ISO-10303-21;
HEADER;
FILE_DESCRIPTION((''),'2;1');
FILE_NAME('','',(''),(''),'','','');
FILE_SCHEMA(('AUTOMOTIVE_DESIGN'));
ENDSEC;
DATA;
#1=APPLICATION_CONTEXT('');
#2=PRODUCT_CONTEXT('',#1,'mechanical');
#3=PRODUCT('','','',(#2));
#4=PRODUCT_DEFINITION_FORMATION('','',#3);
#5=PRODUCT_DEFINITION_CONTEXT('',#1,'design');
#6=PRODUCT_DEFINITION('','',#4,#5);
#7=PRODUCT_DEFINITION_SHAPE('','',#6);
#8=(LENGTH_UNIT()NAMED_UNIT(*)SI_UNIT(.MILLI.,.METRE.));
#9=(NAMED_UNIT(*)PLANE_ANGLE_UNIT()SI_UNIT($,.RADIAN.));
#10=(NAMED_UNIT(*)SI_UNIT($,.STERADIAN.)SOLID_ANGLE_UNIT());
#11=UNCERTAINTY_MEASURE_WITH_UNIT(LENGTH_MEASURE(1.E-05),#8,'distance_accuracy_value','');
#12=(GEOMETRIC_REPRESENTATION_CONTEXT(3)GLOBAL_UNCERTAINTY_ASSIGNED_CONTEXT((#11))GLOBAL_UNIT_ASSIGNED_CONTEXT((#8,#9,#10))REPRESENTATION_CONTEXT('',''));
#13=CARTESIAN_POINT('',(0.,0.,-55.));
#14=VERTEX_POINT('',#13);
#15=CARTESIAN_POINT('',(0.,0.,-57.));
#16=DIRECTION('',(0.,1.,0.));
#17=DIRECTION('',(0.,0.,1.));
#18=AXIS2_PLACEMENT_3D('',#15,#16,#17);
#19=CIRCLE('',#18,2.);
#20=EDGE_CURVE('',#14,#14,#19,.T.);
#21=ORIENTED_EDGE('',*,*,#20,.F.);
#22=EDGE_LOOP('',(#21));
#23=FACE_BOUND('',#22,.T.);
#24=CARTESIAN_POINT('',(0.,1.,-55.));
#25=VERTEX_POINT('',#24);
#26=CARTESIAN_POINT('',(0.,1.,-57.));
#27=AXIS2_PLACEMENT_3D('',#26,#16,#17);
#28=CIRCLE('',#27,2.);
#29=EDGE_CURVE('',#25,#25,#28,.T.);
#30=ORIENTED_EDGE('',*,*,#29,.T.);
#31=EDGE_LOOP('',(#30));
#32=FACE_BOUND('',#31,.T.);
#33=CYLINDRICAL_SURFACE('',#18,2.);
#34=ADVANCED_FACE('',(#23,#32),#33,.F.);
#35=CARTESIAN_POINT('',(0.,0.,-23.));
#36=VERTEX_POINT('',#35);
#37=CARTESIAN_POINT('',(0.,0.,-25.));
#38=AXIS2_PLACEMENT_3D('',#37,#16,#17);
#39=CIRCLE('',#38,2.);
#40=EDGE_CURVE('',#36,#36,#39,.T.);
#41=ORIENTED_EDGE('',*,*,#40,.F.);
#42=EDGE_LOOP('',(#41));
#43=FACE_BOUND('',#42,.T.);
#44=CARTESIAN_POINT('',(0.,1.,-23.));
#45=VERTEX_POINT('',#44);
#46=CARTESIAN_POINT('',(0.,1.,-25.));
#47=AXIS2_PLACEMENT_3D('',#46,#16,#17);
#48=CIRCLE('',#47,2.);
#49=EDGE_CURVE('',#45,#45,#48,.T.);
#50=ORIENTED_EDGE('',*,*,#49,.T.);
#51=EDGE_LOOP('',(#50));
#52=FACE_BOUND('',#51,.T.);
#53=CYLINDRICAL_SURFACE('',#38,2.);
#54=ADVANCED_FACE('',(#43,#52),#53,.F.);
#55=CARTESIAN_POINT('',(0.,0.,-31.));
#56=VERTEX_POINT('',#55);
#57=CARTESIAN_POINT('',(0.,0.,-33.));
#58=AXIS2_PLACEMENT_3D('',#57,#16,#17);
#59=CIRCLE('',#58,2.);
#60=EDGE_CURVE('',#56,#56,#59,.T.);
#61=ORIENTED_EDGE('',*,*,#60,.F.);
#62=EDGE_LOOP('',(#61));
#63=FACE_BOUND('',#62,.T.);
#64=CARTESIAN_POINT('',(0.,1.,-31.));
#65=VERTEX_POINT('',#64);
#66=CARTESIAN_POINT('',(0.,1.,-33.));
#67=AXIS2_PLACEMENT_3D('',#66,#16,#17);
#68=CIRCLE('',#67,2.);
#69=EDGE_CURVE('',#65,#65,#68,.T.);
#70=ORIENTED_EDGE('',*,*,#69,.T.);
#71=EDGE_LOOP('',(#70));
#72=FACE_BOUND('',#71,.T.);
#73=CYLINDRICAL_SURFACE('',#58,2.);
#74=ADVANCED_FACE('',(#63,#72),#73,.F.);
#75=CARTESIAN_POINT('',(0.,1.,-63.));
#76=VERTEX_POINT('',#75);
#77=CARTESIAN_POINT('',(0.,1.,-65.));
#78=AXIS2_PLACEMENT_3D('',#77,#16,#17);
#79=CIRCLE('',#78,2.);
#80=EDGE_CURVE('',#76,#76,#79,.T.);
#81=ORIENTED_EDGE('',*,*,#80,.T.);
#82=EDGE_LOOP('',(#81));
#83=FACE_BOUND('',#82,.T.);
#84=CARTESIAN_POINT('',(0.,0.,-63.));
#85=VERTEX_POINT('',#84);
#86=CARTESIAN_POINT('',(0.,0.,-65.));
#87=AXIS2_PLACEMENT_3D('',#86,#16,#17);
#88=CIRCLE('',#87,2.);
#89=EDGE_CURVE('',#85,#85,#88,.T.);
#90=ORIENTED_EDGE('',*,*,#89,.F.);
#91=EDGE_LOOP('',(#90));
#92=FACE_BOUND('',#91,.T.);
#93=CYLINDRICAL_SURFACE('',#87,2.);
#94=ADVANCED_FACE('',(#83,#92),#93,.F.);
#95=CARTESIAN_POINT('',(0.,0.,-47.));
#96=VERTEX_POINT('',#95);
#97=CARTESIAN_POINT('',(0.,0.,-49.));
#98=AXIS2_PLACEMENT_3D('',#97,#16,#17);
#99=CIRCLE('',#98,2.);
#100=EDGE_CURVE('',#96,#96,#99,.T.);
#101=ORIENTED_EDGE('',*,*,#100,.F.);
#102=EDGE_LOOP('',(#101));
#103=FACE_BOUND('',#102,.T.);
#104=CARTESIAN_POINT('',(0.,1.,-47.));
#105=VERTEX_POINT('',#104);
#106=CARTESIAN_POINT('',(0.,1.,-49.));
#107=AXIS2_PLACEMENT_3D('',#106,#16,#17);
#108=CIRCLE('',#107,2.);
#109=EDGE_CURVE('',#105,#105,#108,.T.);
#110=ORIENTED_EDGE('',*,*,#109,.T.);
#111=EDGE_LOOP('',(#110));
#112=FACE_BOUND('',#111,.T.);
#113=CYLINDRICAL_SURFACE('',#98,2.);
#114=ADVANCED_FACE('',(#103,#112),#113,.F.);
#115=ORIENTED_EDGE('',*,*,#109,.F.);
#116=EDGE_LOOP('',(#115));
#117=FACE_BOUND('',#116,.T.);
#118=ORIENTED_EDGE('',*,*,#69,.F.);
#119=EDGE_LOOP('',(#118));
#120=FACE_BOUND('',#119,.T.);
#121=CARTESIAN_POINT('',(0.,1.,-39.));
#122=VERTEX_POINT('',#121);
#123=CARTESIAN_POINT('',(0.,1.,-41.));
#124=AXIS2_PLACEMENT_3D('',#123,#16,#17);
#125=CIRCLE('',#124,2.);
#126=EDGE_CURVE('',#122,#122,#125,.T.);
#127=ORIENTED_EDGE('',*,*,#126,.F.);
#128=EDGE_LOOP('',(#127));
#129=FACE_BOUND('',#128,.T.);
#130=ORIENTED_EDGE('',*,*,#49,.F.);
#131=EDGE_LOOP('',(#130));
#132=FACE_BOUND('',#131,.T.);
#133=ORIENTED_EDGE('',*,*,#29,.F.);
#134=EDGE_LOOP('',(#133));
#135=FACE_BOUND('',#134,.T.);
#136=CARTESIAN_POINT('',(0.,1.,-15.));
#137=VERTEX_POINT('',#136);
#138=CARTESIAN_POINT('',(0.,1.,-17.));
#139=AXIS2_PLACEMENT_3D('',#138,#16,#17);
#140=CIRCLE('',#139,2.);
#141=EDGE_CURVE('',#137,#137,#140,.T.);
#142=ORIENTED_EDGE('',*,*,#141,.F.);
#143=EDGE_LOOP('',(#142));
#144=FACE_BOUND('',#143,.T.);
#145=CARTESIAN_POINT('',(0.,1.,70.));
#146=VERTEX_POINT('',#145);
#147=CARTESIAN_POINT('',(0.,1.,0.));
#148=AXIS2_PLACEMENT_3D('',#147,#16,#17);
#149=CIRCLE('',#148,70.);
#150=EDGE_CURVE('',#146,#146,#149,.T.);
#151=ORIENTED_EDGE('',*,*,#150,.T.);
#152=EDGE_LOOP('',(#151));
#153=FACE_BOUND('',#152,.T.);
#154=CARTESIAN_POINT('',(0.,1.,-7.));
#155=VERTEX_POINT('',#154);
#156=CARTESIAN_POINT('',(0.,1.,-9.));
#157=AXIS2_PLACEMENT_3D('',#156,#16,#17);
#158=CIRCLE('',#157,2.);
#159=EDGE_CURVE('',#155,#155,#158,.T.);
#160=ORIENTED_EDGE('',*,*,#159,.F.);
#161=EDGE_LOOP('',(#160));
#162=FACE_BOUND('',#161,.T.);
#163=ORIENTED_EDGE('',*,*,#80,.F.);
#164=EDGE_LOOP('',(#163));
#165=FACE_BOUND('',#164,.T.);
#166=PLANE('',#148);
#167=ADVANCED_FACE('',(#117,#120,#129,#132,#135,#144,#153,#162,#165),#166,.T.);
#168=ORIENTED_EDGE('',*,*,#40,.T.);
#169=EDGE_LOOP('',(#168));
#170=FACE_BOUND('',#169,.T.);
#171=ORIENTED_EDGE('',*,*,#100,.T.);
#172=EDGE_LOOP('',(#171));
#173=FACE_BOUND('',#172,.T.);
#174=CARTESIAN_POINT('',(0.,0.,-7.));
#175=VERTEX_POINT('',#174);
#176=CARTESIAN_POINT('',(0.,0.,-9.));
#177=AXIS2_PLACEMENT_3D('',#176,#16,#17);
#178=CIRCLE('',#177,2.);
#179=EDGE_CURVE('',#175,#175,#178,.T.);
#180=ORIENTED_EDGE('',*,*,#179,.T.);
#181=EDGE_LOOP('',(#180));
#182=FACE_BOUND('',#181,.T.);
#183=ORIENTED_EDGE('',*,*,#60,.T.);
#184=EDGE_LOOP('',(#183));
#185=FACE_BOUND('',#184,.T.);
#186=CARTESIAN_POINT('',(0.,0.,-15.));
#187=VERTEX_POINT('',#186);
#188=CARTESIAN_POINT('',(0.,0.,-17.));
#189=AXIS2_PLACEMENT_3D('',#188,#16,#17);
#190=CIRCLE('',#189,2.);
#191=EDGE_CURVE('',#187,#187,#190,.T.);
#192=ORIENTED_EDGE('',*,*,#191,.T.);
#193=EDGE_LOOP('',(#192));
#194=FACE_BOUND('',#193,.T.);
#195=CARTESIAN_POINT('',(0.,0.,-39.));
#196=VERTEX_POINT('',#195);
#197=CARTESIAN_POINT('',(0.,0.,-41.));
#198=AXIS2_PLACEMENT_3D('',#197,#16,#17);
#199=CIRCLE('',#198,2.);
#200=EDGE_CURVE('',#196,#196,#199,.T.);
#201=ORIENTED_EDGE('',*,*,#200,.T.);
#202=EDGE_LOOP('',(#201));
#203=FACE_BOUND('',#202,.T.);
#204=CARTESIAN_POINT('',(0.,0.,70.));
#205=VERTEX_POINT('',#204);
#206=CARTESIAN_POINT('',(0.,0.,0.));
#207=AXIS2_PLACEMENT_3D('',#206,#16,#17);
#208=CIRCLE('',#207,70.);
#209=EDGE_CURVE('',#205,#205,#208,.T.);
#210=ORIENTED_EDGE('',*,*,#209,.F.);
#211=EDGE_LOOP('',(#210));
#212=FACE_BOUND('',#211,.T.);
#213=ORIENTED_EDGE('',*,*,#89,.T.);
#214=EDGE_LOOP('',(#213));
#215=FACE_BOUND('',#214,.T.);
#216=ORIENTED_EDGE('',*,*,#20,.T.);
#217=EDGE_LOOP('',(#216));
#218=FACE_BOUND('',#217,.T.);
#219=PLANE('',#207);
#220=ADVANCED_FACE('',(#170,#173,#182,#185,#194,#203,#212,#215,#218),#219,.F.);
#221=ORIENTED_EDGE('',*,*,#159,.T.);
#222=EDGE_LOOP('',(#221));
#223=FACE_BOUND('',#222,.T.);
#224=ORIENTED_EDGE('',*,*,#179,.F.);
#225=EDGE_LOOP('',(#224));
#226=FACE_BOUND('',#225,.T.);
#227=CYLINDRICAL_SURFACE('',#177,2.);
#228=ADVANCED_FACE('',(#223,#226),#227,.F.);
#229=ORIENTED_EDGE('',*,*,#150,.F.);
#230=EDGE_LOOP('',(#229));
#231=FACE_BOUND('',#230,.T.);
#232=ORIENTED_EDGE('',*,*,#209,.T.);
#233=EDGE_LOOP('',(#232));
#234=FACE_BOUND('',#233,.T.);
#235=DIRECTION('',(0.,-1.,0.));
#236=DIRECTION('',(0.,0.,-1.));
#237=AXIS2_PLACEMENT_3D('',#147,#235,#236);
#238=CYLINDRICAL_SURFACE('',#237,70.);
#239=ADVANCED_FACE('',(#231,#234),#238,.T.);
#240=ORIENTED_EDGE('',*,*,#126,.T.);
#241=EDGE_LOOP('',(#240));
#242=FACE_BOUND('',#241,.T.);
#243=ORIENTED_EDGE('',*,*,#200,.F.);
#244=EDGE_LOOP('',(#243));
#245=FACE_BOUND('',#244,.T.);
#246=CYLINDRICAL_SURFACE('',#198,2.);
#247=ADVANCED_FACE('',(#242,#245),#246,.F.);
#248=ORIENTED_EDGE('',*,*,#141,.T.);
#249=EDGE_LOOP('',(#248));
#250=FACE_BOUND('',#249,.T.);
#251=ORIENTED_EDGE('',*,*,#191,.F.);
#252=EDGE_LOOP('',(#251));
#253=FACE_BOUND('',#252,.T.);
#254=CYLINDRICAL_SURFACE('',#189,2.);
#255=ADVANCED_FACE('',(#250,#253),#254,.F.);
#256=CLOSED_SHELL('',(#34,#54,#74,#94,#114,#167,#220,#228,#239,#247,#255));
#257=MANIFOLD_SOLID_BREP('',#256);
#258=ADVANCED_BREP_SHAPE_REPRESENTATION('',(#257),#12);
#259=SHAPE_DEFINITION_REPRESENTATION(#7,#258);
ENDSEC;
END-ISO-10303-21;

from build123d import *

# Parameters (mm, degrees)
SKETCH1_R           = 70
BOSS_EXTRUDE1_DEPTH = 1
SKETCH2_R           = 2
CUT_EXTRUDE1_DEPTH  = 1


with BuildPart() as part:
    # Sketch1 → Boss-Extrude1 (new body)
    with BuildSketch(Plane(origin=(0, 0, 0), x_dir=(1, 0, 0), z_dir=(0, 1, 0))):
        with Locations(Location((0, 0, 0), (0, 0, 270))):
            Circle(SKETCH1_R)
    extrude(amount=BOSS_EXTRUDE1_DEPTH)

    # Sketch2 → Cut-Extrude1 (cut)
    with BuildSketch(Plane(origin=(0, 1, 0), x_dir=(1, 0, 0), z_dir=(0, 1, 0))):
        with Locations(Location((0, 9, 0), (0, 0, 270))):
            Circle(SKETCH2_R)
        with Locations(Location((0, 17, 0), (0, 0, 270))):
            Circle(SKETCH2_R)
        with Locations(Location((0, 25, 0), (0, 0, 270))):
            Circle(SKETCH2_R)
        with Locations(Location((0, 33, 0), (0, 0, 270))):
            Circle(SKETCH2_R)
        with Locations(Location((0, 41, 0), (0, 0, 270))):
            Circle(SKETCH2_R)
        with Locations(Location((0, 49, 0), (0, 0, 270))):
            Circle(SKETCH2_R)
        with Locations(Location((0, 57, 0), (0, 0, 270))):
            Circle(SKETCH2_R)
        with Locations(Location((0, 65, 0), (0, 0, 270))):
            Circle(SKETCH2_R)
    extrude(amount=-CUT_EXTRUDE1_DEPTH, mode=Mode.SUBTRACT)


solid = part.part
